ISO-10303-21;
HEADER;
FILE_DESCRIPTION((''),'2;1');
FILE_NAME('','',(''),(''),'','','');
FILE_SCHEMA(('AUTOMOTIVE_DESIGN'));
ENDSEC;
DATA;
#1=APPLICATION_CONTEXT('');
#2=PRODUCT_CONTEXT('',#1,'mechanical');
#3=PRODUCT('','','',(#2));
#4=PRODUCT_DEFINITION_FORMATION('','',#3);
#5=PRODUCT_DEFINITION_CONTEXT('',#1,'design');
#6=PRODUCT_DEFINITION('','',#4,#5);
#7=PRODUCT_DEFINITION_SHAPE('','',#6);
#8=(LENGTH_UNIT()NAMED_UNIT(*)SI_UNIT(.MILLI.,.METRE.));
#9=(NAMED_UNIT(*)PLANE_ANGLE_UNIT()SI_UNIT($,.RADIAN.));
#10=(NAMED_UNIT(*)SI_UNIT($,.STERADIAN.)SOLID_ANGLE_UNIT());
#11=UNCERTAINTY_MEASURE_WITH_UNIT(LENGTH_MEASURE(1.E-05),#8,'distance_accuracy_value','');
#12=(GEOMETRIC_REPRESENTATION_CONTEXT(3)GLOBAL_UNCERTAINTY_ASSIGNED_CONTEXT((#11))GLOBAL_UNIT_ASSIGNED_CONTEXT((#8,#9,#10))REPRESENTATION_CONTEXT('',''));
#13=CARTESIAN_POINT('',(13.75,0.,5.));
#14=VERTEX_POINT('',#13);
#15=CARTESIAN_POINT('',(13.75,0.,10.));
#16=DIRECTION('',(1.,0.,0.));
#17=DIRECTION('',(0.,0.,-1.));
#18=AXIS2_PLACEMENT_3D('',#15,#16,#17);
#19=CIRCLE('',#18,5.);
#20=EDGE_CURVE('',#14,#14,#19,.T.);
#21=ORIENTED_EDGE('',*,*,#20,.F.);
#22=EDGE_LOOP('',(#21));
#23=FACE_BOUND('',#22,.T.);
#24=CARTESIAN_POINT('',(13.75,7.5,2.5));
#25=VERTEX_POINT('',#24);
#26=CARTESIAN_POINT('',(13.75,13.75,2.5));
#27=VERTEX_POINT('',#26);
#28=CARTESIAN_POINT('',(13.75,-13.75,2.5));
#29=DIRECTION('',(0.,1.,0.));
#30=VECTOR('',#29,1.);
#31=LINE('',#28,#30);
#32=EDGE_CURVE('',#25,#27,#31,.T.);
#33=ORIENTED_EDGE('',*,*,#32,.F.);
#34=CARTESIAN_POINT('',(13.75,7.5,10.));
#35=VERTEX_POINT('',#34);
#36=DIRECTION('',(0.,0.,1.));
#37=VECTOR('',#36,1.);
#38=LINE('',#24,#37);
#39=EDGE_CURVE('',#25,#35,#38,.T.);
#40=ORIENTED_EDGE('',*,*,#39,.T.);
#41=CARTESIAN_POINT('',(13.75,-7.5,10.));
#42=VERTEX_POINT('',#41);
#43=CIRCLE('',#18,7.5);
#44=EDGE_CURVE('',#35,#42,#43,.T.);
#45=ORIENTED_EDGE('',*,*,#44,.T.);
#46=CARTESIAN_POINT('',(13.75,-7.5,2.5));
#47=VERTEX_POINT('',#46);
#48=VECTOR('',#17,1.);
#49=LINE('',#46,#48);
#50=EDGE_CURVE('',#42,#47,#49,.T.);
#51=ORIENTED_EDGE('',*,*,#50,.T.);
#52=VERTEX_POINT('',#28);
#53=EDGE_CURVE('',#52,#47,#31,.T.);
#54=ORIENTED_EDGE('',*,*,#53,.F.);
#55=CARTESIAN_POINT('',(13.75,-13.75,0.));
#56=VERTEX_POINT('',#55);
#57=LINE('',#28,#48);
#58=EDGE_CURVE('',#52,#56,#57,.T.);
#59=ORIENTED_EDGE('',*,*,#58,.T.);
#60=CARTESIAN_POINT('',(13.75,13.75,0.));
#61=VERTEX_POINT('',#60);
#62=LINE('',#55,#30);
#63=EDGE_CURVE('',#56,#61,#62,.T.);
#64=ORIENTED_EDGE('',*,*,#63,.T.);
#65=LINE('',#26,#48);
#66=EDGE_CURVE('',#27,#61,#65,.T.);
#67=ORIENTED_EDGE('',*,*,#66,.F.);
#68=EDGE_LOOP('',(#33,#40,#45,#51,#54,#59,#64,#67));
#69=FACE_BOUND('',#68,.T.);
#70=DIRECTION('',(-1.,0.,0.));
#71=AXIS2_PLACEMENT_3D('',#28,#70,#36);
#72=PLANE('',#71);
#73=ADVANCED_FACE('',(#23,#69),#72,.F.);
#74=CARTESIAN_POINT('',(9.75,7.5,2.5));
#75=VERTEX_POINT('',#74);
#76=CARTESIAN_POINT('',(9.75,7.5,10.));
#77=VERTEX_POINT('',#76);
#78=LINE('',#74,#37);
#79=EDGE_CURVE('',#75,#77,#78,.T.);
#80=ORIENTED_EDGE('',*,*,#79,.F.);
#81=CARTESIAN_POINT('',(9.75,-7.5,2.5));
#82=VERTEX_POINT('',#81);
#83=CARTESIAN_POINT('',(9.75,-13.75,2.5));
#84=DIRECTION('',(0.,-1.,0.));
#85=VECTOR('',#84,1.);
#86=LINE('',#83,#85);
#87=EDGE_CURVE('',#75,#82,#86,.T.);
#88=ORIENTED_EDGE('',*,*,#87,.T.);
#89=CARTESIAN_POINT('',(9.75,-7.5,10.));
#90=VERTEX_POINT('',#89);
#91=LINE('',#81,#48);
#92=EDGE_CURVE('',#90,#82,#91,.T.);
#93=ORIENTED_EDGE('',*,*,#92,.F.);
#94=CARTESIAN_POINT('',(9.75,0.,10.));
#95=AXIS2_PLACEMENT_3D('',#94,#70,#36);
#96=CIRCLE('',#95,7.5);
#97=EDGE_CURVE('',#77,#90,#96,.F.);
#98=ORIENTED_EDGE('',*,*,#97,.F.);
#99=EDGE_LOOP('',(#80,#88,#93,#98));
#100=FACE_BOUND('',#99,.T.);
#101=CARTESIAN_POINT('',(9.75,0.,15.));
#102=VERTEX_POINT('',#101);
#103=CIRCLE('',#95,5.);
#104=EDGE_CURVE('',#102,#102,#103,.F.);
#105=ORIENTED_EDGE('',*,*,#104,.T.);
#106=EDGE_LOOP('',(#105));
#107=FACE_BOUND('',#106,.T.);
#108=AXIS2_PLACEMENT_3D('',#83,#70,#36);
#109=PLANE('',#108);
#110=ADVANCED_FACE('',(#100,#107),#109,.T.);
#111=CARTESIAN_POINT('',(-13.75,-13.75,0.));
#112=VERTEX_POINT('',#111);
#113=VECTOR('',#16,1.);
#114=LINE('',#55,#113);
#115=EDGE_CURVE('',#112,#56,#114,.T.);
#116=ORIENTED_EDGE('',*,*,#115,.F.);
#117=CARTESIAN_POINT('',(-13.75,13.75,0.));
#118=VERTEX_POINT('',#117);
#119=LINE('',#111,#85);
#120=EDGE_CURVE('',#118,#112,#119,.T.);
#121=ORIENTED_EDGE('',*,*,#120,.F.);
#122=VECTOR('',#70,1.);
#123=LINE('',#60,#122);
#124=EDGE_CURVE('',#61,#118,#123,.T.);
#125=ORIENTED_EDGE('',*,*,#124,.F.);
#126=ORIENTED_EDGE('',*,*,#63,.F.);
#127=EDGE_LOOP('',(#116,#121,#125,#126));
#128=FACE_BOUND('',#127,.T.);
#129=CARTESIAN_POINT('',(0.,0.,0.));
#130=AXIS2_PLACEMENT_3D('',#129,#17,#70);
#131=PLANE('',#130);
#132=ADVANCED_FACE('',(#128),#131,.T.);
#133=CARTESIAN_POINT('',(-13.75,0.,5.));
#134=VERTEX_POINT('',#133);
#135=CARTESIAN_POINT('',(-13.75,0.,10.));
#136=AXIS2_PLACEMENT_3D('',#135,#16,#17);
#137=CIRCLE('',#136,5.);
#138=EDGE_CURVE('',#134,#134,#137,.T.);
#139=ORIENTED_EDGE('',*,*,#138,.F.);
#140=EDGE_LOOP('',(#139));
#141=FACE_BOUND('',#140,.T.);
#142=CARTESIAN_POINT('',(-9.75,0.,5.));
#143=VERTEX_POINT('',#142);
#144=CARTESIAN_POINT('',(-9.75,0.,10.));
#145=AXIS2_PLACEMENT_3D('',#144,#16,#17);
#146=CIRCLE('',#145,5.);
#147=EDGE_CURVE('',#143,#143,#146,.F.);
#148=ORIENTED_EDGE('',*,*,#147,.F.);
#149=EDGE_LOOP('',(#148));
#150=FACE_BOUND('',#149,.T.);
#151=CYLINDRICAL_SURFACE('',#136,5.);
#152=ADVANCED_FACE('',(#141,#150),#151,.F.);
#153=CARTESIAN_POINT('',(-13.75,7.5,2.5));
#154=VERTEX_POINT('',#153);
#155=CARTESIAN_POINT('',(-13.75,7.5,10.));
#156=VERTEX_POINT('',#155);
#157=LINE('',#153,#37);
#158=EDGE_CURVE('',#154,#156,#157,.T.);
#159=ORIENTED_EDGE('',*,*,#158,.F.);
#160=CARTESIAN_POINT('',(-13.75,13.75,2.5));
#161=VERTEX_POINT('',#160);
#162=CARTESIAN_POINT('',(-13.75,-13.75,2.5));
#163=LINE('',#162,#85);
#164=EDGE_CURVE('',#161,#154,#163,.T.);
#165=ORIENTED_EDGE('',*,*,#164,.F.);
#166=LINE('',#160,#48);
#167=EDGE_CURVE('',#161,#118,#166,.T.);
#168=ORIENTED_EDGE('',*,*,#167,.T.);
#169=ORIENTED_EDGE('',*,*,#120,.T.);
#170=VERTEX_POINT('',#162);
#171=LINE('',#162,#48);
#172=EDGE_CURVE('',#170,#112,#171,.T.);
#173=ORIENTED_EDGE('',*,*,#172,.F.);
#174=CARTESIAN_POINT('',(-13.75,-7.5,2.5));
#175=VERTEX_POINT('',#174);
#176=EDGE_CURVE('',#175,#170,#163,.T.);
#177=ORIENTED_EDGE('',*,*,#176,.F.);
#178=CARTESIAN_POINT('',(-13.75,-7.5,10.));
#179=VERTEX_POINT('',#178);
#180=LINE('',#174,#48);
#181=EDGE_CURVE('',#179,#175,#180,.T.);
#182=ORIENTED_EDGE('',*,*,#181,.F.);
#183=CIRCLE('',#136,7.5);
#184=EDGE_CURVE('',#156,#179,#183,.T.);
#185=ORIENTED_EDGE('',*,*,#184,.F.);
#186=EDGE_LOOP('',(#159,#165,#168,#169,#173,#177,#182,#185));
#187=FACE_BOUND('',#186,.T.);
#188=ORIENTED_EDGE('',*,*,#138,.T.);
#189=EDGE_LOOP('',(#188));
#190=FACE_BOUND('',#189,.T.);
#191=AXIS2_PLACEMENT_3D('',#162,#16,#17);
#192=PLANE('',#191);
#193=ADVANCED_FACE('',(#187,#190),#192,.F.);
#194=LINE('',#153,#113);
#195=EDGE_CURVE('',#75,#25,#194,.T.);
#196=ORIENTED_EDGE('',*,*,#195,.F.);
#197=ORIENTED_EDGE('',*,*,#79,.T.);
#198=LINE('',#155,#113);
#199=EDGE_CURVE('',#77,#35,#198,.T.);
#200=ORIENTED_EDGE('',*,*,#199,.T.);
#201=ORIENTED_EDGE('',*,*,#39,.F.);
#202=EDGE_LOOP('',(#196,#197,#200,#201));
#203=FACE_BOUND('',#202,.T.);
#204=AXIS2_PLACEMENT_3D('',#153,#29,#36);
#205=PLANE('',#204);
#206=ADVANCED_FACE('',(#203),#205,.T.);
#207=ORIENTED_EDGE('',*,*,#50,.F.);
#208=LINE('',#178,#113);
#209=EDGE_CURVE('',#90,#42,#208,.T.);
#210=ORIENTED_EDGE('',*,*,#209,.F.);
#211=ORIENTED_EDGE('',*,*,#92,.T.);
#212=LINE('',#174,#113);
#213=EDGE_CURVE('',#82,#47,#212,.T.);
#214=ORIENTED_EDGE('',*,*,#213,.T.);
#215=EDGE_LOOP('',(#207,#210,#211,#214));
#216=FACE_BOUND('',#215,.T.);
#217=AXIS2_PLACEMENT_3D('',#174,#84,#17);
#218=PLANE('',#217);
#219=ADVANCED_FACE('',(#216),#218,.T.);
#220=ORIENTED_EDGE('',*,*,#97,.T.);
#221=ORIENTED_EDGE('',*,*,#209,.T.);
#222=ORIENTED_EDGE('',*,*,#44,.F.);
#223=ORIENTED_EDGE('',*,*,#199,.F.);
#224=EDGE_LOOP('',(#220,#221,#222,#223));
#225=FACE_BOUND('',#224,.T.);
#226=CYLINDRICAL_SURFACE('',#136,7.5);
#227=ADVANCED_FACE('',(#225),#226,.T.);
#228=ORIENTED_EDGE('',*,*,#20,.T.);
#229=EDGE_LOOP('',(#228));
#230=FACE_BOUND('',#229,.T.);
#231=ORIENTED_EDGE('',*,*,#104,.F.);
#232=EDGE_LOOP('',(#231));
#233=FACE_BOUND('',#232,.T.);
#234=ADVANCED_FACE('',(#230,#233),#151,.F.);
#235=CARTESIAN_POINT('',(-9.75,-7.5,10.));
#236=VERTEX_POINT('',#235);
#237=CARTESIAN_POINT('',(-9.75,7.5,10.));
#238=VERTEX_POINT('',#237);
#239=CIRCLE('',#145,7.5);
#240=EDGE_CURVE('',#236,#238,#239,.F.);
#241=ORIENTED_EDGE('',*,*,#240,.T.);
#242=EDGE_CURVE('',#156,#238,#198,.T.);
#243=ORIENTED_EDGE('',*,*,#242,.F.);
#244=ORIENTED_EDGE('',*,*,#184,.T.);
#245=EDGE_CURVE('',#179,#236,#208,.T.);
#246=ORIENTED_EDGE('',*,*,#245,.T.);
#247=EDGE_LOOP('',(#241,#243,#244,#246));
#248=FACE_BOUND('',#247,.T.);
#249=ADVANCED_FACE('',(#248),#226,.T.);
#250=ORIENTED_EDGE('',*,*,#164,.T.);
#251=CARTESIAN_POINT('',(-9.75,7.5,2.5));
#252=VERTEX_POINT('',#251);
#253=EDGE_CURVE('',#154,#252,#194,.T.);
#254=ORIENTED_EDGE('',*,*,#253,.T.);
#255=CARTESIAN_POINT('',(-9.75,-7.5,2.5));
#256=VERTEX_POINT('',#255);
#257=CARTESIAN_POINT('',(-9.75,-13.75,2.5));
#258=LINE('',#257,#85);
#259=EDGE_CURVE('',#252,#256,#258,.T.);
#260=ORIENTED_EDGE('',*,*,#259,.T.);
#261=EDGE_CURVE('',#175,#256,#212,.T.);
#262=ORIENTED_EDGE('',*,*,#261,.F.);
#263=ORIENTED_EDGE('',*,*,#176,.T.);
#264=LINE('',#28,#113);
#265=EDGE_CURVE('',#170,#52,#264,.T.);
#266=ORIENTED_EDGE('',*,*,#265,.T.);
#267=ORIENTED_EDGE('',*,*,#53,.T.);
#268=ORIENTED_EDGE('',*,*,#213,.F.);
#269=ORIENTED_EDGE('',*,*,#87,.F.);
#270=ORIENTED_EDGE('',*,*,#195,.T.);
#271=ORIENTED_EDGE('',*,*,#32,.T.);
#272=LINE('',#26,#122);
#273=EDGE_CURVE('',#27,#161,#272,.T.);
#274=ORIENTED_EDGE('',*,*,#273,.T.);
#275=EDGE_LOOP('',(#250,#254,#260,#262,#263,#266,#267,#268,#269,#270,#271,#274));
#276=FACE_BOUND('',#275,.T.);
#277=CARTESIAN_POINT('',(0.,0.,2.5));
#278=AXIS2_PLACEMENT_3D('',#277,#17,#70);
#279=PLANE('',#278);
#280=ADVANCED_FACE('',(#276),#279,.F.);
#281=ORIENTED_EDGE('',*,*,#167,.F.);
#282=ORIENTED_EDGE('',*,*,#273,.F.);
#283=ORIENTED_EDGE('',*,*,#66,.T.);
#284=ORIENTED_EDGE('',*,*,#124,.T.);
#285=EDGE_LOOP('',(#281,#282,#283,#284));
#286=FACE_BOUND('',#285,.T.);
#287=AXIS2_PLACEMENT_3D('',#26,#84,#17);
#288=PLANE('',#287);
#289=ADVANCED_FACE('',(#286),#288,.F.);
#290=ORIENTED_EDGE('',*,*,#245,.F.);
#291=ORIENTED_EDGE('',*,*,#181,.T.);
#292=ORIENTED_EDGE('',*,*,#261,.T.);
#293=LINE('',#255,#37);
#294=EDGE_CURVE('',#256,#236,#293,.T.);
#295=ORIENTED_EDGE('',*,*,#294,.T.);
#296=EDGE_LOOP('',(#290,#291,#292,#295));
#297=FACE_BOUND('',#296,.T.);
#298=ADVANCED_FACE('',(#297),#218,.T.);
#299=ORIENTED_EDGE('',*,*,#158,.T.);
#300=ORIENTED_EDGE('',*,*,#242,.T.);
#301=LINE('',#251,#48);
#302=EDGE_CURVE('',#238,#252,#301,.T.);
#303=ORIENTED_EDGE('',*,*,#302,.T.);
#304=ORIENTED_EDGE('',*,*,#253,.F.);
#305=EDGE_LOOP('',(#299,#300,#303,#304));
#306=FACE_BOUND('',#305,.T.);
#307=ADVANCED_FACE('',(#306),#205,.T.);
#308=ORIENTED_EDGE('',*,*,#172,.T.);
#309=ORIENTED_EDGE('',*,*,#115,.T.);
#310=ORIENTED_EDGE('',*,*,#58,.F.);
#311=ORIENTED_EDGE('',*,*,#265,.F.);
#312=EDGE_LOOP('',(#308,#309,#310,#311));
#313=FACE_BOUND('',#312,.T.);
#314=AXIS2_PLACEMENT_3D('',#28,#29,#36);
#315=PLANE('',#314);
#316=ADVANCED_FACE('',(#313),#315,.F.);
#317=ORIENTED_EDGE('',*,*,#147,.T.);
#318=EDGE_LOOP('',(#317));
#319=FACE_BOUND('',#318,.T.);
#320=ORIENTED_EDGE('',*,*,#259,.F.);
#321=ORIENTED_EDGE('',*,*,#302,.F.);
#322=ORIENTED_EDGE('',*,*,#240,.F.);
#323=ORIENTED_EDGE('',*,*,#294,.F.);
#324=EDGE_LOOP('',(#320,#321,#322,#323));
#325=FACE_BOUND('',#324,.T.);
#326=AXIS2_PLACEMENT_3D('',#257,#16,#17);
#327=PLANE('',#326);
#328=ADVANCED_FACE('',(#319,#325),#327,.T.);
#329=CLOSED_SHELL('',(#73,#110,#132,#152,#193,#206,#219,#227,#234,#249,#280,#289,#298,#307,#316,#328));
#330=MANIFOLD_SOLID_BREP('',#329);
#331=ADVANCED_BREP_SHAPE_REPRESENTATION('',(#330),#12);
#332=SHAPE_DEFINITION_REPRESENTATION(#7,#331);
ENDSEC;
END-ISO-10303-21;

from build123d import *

# Parameters (mm, degrees)
SKETCH1_W               = 27.5
SKETCH1_H               = 27.5
BOSS_EXTRUDE1_DEPTH     = 2.5
SKETCH2_R               = 5
BOSS_EXTRUDE2_DEPTH     = 27.5
CUT_EXTRUDE1_DEPTH      = 9.75
CUT_EXTRUDE1_DEPTH_BACK = 9.75
SKETCH3_W               = 27.5
SKETCH3_H               = 15.762918275


with BuildPart() as part:
    # Sketch1 → Boss-Extrude1 (new body)
    with BuildSketch(Plane(origin=(0, 0, 0), x_dir=(0, 1, 0), z_dir=(0, 0, 1))):
        Rectangle(SKETCH1_W, SKETCH1_H)
    extrude(amount=BOSS_EXTRUDE1_DEPTH)

    # Sketch2 → Boss-Extrude2 (add)
    with BuildSketch(Plane.YZ.offset(13.75)):
        with BuildLine():
            Line((-7.5, 2.5), (7.5, 2.5))
            Line((7.5, 2.5), (7.5, 10))
            ThreePointArc((7.5, 10), (0, 17.5), (-7.5, 10))
            Line((-7.5, 10), (-7.5, 2.5))
        make_face()
        with Locations(Location((0, 10, 0), (0, 0, 270))):
            Circle(SKETCH2_R, mode=Mode.SUBTRACT)
    extrude(amount=-BOSS_EXTRUDE2_DEPTH)

    # Sketch3 → Cut-Extrude1 (cut, two sides: drawn at the far end of the back side and taken through both)
    with BuildSketch(Plane.YZ.offset(-CUT_EXTRUDE1_DEPTH_BACK)):
        with Locations((0, 10.381459138)):
            Rectangle(SKETCH3_W, SKETCH3_H)
    extrude(amount=CUT_EXTRUDE1_DEPTH + CUT_EXTRUDE1_DEPTH_BACK, mode=Mode.SUBTRACT)


solid = part.part
